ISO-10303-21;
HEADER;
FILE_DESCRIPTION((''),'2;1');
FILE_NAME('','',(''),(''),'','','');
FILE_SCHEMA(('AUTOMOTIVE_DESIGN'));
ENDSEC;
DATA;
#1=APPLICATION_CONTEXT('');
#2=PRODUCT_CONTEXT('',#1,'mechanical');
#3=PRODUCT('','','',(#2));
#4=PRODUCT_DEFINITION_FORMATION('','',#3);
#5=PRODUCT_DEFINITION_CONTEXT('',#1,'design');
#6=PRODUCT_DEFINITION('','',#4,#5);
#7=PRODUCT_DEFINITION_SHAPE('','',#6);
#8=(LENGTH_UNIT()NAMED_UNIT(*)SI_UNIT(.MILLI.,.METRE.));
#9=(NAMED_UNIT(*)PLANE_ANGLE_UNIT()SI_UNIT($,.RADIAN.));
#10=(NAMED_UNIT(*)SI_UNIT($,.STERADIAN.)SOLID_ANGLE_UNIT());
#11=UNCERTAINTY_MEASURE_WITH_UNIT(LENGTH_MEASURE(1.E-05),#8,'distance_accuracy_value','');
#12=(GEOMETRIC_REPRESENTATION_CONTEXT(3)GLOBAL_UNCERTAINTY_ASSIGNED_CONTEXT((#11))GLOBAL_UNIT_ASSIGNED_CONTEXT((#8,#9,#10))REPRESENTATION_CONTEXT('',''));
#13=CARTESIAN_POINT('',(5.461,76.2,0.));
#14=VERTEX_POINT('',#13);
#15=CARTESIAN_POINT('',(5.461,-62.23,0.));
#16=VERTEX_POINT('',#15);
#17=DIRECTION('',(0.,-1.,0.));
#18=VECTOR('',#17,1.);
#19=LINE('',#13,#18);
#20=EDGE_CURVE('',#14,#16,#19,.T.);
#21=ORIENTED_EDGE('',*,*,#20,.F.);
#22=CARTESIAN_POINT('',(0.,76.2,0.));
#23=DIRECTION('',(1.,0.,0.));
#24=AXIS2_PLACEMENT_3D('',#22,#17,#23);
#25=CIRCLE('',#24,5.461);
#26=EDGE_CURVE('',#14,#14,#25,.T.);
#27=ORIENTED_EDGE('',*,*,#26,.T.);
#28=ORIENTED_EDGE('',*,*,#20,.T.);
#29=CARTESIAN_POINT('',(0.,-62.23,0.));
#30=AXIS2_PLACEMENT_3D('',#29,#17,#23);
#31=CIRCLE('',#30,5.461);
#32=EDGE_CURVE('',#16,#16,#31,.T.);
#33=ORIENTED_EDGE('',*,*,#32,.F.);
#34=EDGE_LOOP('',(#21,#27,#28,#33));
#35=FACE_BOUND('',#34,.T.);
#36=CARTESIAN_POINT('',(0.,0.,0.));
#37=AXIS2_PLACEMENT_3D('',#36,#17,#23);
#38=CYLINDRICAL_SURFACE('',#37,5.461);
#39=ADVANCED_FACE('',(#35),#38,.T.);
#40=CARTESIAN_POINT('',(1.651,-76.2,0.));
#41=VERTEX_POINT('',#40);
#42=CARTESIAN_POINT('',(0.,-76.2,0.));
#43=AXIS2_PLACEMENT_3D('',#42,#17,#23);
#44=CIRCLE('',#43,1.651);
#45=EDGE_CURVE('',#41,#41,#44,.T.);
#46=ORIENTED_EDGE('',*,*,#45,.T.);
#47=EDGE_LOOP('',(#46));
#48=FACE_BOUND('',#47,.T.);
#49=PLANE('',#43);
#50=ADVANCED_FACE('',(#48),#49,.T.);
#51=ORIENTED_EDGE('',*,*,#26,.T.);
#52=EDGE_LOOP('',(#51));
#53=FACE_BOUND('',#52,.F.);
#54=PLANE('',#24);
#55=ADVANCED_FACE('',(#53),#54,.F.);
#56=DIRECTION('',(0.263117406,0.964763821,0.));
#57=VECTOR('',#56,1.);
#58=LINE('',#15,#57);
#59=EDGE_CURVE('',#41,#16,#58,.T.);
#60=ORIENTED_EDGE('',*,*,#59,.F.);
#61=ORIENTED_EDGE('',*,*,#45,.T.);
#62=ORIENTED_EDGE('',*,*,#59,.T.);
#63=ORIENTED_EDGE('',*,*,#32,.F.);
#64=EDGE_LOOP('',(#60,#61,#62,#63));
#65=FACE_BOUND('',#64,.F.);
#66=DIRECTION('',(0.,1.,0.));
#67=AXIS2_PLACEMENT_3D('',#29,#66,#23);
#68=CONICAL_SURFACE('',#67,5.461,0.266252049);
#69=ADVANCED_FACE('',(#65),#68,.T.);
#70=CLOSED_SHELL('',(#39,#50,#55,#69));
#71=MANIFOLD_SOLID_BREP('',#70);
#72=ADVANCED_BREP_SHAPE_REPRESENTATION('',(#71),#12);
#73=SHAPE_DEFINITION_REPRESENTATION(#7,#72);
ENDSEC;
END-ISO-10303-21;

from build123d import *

# Parameters (mm, degrees)
F0_R     = 5.461
F1_DEPTH = 76.2
F2_SIZE2 = 13.97
F2_SIZE  = 3.81


with BuildPart() as f1:
    # F0 (on Front) → F1 (new body, symmetric)
    with BuildSketch(Plane.XZ):
        Circle(F0_R)
    extrude(amount=F1_DEPTH, both=True)

    # F2
    f2_edges = [f1.edges().sort_by_distance(p)[0] for p in [
        (-5.461, -76.2, 0),
    ]]
    f2_side = f1.faces().sort_by_distance((0, -76.2, 0))[0]
    chamfer(f2_edges, length=F2_SIZE, length2=F2_SIZE2, reference=f2_side)


solid = f1.part
